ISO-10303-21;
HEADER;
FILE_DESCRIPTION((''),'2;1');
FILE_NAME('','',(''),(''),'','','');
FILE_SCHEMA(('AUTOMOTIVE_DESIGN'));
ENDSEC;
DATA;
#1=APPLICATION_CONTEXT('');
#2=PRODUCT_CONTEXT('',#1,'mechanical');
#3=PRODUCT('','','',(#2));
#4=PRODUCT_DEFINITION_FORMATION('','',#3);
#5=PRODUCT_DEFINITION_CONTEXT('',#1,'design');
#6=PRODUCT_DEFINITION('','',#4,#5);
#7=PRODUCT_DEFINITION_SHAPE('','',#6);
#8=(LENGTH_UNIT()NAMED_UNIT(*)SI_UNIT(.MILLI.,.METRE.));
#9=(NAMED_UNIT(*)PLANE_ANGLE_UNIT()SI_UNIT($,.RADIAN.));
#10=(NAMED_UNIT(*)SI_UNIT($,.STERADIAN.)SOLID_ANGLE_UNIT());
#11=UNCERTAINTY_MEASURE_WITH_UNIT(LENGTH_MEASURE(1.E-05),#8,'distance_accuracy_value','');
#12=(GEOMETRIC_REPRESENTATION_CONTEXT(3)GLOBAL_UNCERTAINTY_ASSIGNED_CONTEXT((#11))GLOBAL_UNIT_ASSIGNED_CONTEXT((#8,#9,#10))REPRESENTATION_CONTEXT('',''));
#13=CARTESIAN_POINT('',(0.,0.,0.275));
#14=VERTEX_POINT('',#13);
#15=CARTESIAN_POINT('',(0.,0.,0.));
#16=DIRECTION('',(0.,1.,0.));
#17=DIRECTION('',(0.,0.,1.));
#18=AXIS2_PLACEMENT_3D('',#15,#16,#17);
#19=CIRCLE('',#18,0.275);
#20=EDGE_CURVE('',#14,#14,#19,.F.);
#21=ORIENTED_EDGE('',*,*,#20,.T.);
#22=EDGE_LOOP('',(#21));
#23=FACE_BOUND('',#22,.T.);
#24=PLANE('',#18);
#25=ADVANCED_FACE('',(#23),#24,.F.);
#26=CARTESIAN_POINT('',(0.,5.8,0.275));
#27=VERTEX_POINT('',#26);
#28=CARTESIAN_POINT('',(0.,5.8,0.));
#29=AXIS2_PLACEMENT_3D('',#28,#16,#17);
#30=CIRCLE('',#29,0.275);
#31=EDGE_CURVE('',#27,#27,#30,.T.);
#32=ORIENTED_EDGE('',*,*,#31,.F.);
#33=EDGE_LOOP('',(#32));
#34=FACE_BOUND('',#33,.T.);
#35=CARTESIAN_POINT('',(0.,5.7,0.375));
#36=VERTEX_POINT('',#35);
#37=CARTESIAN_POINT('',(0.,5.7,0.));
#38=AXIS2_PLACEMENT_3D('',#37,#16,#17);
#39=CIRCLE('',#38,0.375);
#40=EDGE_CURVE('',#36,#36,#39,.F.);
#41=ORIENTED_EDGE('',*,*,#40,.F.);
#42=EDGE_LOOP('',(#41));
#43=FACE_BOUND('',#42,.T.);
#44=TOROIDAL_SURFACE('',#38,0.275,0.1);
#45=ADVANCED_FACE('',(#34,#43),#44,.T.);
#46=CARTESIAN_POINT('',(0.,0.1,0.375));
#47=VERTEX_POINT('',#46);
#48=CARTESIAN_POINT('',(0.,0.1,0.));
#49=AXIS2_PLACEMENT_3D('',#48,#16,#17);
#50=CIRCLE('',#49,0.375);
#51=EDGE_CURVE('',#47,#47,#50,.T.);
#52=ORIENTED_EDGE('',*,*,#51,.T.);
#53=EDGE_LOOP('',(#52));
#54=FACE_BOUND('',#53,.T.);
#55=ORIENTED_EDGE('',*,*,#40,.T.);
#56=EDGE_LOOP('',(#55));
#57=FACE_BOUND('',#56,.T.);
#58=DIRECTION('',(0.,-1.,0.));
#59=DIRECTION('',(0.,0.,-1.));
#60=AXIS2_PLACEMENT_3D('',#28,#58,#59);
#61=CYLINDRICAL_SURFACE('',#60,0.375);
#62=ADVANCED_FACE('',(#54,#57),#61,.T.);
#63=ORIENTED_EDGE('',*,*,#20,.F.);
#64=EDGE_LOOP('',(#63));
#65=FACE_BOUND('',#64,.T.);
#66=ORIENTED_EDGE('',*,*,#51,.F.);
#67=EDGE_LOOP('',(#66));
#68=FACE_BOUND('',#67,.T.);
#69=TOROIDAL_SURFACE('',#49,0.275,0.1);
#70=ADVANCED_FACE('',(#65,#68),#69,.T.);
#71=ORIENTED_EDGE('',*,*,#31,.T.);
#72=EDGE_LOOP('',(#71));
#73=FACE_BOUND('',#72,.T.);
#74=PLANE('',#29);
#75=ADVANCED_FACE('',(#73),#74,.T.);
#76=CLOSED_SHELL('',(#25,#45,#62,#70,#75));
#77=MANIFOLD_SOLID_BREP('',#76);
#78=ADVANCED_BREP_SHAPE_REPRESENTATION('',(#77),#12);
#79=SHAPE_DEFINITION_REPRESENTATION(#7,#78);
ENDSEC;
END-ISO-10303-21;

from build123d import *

# Parameters (mm, degrees)
SKETCH_1_R      = 0.375
EXTRUDE_1_DEPTH = 5.8
FILLET_1_R      = 0.1


with BuildPart() as part:
    # Эскиз1 → Бобышка-Вытянуть1 (new body)
    with BuildSketch(Plane(origin=(0, 0, 0), x_dir=(1, 0, 0), z_dir=(0, 1, 0))):
        with Locations(Location((0, 0, 0), (0, 0, 270))):
            Circle(SKETCH_1_R)
    extrude(amount=EXTRUDE_1_DEPTH)

    # Скругление1
    fillet_1_edges = [part.edges().sort_by_distance(p)[0] for p in [
        (0, 0, -0.375),
        (0, 5.8, -0.375),
    ]]
    fillet(fillet_1_edges, radius=FILLET_1_R)


solid = part.part
